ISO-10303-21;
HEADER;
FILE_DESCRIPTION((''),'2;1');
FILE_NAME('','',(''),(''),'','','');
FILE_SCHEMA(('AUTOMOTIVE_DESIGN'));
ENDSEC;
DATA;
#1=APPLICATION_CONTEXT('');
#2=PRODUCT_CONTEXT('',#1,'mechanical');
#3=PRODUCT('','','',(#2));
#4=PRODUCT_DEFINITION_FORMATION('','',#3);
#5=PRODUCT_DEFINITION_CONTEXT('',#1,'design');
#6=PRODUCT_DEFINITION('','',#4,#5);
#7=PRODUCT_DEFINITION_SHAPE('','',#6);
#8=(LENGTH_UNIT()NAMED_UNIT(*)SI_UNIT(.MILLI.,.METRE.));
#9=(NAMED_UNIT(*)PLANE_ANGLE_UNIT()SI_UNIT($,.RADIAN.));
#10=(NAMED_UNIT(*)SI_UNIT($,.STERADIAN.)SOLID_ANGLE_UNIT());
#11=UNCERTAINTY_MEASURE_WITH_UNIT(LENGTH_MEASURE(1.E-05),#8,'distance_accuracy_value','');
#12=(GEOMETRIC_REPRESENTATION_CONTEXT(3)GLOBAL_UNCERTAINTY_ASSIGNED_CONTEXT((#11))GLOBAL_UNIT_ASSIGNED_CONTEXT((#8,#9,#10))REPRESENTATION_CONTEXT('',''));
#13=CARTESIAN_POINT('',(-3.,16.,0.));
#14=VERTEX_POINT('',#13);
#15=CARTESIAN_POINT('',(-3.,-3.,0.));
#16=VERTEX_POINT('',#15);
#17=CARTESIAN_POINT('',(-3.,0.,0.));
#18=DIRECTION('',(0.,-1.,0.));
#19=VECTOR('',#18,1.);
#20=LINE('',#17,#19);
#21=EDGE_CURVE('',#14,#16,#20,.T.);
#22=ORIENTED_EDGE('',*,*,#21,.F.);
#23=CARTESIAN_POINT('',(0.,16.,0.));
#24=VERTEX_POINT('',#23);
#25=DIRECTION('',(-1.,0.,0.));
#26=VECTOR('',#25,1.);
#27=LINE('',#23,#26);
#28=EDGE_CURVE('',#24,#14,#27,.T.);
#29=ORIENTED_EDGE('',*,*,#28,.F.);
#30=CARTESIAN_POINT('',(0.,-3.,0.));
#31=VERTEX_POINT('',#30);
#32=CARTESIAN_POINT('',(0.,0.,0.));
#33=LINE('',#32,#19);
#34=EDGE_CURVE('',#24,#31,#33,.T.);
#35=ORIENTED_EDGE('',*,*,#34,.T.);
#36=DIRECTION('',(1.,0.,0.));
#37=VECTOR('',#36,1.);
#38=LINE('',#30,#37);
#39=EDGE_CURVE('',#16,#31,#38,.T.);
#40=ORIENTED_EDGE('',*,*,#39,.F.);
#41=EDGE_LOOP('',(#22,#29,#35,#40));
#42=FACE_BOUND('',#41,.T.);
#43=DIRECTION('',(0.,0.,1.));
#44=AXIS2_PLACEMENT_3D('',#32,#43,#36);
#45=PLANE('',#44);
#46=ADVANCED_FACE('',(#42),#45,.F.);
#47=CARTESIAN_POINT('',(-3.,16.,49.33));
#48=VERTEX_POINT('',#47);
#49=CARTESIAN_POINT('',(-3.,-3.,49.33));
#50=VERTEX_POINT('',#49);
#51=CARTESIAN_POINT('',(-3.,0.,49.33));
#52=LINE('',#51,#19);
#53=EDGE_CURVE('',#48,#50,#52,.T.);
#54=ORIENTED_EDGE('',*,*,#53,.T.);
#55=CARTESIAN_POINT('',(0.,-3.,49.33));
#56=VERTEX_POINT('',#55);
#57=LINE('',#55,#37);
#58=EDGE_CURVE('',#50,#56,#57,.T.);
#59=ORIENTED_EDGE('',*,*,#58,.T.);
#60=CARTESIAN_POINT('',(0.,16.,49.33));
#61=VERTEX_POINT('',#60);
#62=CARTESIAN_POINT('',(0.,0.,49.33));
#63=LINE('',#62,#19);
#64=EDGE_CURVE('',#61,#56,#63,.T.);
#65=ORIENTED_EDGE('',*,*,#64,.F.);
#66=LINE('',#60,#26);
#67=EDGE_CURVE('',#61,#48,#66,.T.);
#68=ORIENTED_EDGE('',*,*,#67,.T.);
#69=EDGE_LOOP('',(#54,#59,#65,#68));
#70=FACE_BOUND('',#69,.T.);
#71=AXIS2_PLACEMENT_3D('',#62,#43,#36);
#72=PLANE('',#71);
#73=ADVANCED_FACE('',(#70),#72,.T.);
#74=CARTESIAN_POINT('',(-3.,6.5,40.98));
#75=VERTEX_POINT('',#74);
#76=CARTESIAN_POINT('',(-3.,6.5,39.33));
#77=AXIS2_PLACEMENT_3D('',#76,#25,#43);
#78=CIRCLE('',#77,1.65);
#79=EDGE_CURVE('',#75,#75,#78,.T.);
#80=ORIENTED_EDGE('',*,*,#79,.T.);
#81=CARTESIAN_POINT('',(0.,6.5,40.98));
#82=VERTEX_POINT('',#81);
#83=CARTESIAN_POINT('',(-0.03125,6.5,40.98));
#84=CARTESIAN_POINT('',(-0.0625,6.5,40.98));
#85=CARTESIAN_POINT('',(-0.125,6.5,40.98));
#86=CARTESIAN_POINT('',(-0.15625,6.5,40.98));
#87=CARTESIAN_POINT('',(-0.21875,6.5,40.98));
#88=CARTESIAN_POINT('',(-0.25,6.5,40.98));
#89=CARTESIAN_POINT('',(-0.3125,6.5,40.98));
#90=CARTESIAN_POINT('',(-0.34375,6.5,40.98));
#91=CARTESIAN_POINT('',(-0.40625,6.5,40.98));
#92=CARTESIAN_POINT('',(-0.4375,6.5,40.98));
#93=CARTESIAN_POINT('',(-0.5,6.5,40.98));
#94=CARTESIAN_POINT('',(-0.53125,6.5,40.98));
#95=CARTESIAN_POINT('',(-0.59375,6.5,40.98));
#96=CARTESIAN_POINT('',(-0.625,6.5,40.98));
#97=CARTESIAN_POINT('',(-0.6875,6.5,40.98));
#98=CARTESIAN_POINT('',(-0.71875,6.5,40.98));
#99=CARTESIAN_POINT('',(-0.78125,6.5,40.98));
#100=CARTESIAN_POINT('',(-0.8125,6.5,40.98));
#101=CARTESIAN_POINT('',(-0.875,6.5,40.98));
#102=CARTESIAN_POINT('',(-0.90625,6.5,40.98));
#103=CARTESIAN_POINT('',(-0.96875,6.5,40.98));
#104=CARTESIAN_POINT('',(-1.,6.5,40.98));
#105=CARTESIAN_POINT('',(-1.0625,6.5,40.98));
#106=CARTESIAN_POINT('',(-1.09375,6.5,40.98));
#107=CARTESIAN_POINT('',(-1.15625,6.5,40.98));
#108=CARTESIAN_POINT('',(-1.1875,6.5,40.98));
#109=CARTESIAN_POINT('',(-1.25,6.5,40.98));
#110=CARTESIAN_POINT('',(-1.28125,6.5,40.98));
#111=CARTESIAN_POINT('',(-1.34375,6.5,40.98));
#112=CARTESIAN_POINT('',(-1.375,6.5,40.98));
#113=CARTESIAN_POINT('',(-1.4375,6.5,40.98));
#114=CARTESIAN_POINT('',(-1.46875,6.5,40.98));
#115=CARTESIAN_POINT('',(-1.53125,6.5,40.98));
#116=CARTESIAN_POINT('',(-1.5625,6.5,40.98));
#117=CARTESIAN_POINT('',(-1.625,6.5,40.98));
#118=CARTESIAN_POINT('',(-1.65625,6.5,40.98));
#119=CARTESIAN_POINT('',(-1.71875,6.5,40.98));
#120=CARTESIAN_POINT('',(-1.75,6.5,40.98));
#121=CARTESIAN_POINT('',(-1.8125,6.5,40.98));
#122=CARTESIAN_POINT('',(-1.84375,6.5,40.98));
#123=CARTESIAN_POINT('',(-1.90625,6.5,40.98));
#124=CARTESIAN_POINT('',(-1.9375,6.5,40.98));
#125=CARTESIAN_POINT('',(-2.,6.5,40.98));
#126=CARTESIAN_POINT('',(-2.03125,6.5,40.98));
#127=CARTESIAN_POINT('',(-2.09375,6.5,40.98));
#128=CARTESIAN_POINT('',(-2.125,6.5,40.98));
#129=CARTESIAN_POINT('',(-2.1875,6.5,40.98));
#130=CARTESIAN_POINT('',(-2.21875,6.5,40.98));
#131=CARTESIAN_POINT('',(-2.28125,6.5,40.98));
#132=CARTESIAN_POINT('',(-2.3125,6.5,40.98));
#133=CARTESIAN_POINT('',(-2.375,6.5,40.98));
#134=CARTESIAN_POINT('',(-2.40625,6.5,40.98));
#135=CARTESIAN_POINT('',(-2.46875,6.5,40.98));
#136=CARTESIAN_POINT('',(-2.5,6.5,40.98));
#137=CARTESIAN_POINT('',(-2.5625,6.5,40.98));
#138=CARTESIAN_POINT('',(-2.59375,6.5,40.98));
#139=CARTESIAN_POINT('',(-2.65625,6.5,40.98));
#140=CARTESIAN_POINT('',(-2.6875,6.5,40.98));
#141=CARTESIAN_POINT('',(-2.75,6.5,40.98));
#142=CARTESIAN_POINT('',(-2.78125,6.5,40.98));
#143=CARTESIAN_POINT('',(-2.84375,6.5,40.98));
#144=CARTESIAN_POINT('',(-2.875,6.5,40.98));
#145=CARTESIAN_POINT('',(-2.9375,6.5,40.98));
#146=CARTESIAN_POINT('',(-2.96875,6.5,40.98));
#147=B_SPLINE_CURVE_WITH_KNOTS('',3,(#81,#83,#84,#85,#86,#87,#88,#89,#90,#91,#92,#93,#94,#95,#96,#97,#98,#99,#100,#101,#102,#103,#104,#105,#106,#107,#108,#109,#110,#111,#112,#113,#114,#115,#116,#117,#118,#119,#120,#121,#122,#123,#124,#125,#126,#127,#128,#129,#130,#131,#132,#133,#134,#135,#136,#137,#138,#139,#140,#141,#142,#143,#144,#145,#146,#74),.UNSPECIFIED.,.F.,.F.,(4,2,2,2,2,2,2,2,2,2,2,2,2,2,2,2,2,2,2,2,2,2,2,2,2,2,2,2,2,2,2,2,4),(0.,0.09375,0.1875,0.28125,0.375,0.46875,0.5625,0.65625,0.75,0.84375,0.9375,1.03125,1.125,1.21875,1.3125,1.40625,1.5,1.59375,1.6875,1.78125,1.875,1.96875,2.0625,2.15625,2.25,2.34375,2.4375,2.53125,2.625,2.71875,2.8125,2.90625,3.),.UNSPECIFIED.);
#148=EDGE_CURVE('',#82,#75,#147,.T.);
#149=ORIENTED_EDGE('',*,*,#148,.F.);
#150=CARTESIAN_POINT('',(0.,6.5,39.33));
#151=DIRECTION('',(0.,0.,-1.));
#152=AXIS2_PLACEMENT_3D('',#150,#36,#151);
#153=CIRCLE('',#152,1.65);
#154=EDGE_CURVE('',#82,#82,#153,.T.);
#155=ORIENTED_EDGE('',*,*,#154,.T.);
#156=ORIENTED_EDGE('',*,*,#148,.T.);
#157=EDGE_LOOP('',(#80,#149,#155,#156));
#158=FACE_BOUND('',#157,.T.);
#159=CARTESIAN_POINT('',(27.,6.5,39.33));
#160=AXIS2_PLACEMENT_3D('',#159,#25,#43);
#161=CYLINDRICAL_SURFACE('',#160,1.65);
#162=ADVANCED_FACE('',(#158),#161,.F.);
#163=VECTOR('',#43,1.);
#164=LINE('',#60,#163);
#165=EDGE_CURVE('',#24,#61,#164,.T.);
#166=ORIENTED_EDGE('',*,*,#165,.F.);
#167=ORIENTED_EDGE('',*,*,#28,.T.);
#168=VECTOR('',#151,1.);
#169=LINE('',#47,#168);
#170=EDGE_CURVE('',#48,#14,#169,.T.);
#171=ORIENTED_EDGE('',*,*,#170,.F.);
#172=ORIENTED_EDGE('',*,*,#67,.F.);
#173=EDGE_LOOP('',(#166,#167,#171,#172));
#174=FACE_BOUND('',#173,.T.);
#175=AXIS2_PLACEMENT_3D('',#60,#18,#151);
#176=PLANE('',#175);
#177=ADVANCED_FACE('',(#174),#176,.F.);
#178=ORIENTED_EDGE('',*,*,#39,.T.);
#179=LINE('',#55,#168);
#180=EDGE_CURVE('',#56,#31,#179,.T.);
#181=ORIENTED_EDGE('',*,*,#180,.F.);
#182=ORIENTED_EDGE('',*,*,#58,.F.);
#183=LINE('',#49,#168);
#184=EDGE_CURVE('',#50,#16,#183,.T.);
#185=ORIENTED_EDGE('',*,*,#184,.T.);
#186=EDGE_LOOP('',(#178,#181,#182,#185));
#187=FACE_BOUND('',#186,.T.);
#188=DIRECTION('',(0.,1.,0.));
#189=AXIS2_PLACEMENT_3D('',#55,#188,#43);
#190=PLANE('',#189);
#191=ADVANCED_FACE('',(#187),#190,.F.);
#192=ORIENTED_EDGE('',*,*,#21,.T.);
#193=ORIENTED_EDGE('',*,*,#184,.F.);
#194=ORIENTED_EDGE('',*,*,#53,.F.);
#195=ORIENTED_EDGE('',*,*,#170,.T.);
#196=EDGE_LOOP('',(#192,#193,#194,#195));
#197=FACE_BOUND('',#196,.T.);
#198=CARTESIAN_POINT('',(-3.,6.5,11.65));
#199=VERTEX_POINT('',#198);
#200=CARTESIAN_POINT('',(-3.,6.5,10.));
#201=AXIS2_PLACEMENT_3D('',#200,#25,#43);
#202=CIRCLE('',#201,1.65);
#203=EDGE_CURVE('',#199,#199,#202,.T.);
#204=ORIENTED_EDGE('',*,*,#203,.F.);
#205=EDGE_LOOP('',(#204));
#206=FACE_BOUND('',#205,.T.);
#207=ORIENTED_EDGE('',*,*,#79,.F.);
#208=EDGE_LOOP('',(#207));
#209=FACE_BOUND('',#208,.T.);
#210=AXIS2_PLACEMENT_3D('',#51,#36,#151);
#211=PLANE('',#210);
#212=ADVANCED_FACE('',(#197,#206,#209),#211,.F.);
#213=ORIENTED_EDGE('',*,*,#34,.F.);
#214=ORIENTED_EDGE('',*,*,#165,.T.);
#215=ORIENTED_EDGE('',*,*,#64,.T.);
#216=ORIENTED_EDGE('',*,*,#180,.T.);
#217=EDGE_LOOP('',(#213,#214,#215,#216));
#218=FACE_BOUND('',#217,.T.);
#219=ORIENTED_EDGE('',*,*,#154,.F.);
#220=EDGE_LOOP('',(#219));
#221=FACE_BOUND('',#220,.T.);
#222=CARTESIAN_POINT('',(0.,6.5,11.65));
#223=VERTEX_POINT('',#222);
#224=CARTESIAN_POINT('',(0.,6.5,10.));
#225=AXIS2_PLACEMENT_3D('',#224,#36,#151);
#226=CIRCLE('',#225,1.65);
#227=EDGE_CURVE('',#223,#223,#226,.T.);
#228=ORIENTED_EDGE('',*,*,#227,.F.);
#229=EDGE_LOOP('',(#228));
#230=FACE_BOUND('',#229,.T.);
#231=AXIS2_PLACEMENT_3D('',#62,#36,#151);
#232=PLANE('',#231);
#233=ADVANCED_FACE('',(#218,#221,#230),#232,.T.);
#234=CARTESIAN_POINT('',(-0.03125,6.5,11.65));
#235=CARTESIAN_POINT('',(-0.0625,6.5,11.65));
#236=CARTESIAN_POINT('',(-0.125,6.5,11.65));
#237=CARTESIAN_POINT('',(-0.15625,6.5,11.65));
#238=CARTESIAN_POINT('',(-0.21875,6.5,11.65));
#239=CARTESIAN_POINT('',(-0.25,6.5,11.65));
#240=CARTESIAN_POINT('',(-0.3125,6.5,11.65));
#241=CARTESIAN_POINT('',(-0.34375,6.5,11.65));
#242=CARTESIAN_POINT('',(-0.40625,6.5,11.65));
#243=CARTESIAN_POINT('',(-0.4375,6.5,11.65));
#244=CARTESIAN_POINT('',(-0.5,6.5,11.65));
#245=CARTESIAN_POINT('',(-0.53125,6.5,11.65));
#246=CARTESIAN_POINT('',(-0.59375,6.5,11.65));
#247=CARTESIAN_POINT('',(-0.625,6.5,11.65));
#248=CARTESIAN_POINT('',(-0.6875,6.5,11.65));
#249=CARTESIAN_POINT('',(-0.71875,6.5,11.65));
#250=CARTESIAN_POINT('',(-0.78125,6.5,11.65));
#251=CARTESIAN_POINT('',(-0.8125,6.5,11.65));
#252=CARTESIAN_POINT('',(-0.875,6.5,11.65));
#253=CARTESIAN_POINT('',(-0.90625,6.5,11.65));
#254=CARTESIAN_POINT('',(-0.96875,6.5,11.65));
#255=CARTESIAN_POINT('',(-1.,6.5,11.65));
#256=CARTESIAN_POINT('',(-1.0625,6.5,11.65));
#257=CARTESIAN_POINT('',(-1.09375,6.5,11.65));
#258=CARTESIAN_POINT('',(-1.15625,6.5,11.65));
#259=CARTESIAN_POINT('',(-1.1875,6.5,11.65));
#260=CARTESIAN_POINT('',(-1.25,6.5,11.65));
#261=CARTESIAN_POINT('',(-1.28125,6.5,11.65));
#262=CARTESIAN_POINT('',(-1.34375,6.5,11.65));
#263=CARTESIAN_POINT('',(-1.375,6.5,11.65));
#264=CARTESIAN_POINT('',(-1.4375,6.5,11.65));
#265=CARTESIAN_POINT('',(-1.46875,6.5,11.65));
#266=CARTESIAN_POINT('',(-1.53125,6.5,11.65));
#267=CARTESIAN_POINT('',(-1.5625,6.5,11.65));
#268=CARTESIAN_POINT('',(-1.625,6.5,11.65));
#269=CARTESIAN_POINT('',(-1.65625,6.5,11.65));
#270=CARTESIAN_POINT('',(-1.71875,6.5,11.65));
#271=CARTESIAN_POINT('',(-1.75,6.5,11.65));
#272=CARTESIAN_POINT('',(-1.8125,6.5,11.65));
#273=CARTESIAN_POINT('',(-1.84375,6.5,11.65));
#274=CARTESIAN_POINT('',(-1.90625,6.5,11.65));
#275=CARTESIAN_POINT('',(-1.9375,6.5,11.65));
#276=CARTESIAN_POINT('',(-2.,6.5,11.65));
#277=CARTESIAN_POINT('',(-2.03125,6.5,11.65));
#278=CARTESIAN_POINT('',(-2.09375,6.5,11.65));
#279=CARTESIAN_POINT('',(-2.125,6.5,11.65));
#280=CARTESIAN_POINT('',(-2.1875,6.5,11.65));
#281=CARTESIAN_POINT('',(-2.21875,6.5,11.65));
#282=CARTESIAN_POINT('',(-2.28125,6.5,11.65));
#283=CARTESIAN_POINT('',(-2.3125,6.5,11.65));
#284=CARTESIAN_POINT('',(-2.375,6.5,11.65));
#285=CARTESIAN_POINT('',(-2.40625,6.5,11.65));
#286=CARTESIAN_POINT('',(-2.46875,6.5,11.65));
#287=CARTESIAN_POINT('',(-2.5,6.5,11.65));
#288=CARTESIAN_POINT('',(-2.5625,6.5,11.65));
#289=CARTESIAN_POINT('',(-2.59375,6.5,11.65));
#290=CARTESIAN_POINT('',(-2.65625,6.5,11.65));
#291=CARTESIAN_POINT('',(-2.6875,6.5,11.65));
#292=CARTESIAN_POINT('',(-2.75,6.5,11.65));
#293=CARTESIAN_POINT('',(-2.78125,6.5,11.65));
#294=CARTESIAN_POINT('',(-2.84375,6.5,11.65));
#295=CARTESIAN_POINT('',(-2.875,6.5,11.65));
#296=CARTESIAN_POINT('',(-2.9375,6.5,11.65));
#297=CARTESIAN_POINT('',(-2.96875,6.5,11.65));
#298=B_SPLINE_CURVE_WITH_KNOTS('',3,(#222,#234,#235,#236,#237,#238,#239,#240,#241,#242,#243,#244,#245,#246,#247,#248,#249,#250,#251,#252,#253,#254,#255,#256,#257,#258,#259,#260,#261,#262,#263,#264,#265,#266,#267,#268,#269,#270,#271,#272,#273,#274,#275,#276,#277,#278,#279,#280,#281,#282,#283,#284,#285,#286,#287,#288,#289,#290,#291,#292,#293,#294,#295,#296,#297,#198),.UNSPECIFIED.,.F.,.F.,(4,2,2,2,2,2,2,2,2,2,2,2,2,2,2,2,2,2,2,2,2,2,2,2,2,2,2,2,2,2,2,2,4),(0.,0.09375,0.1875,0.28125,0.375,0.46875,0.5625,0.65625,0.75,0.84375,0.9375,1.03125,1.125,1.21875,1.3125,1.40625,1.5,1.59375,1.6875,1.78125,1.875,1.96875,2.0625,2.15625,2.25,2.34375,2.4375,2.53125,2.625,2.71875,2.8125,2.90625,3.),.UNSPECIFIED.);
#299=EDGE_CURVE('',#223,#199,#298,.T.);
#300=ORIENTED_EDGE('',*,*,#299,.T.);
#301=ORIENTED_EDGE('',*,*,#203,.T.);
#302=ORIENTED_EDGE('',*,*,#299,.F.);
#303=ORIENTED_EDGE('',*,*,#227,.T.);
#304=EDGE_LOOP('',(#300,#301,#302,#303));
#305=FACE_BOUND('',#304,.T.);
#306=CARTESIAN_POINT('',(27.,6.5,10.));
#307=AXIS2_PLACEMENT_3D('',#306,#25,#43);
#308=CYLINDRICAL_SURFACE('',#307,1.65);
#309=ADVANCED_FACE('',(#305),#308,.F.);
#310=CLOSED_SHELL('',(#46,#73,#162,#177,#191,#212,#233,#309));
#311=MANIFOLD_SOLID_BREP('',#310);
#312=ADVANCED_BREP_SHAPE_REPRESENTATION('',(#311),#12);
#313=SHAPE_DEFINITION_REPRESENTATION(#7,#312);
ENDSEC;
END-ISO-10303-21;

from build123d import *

# Parameters (mm, degrees)
SKETCH_1_W          = 19
SKETCH_1_H          = 19
SKETCH_1_W_2        = 13
SKETCH_1_H_2        = 13
EXTRUDE_1_DEPTH     = 49.33
SKETCH_2_R          = 1.65
CUT_EXTRUDE_1_DEPTH = 30
SKETCH_3_W          = 49.33
SKETCH_3_H          = 19
CUT_EXTRUDE_2_DEPTH = 16


with BuildPart() as part:
    # 草图1 → Extrude 1 (new body)
    with BuildSketch(Plane.XY):
        with Locations((6.5, 6.5)):
            Rectangle(SKETCH_1_W, SKETCH_1_H)
        with Locations((6.5, 6.5)):
            Rectangle(SKETCH_1_W_2, SKETCH_1_H_2, mode=Mode.SUBTRACT)
    extrude(amount=EXTRUDE_1_DEPTH)

    # 草图2 → 切除-拉伸1 (cut)
    with BuildSketch(Plane.ZY.offset(3)):
        with Locations((10, 6.5)):
            Circle(SKETCH_2_R)
        with Locations((39.33, 6.5)):
            Circle(SKETCH_2_R)
    extrude(amount=-CUT_EXTRUDE_1_DEPTH, mode=Mode.SUBTRACT)

    # 草图3 → 切除-拉伸2 (cut)
    with BuildSketch(Plane(origin=(16, 0, 0), x_dir=(0, 0, -1), z_dir=(1, 0, 0))):
        with Locations((-24.665, 6.5)):
            Rectangle(SKETCH_3_W, SKETCH_3_H)
    extrude(amount=-CUT_EXTRUDE_2_DEPTH, mode=Mode.SUBTRACT)


solid = part.part
